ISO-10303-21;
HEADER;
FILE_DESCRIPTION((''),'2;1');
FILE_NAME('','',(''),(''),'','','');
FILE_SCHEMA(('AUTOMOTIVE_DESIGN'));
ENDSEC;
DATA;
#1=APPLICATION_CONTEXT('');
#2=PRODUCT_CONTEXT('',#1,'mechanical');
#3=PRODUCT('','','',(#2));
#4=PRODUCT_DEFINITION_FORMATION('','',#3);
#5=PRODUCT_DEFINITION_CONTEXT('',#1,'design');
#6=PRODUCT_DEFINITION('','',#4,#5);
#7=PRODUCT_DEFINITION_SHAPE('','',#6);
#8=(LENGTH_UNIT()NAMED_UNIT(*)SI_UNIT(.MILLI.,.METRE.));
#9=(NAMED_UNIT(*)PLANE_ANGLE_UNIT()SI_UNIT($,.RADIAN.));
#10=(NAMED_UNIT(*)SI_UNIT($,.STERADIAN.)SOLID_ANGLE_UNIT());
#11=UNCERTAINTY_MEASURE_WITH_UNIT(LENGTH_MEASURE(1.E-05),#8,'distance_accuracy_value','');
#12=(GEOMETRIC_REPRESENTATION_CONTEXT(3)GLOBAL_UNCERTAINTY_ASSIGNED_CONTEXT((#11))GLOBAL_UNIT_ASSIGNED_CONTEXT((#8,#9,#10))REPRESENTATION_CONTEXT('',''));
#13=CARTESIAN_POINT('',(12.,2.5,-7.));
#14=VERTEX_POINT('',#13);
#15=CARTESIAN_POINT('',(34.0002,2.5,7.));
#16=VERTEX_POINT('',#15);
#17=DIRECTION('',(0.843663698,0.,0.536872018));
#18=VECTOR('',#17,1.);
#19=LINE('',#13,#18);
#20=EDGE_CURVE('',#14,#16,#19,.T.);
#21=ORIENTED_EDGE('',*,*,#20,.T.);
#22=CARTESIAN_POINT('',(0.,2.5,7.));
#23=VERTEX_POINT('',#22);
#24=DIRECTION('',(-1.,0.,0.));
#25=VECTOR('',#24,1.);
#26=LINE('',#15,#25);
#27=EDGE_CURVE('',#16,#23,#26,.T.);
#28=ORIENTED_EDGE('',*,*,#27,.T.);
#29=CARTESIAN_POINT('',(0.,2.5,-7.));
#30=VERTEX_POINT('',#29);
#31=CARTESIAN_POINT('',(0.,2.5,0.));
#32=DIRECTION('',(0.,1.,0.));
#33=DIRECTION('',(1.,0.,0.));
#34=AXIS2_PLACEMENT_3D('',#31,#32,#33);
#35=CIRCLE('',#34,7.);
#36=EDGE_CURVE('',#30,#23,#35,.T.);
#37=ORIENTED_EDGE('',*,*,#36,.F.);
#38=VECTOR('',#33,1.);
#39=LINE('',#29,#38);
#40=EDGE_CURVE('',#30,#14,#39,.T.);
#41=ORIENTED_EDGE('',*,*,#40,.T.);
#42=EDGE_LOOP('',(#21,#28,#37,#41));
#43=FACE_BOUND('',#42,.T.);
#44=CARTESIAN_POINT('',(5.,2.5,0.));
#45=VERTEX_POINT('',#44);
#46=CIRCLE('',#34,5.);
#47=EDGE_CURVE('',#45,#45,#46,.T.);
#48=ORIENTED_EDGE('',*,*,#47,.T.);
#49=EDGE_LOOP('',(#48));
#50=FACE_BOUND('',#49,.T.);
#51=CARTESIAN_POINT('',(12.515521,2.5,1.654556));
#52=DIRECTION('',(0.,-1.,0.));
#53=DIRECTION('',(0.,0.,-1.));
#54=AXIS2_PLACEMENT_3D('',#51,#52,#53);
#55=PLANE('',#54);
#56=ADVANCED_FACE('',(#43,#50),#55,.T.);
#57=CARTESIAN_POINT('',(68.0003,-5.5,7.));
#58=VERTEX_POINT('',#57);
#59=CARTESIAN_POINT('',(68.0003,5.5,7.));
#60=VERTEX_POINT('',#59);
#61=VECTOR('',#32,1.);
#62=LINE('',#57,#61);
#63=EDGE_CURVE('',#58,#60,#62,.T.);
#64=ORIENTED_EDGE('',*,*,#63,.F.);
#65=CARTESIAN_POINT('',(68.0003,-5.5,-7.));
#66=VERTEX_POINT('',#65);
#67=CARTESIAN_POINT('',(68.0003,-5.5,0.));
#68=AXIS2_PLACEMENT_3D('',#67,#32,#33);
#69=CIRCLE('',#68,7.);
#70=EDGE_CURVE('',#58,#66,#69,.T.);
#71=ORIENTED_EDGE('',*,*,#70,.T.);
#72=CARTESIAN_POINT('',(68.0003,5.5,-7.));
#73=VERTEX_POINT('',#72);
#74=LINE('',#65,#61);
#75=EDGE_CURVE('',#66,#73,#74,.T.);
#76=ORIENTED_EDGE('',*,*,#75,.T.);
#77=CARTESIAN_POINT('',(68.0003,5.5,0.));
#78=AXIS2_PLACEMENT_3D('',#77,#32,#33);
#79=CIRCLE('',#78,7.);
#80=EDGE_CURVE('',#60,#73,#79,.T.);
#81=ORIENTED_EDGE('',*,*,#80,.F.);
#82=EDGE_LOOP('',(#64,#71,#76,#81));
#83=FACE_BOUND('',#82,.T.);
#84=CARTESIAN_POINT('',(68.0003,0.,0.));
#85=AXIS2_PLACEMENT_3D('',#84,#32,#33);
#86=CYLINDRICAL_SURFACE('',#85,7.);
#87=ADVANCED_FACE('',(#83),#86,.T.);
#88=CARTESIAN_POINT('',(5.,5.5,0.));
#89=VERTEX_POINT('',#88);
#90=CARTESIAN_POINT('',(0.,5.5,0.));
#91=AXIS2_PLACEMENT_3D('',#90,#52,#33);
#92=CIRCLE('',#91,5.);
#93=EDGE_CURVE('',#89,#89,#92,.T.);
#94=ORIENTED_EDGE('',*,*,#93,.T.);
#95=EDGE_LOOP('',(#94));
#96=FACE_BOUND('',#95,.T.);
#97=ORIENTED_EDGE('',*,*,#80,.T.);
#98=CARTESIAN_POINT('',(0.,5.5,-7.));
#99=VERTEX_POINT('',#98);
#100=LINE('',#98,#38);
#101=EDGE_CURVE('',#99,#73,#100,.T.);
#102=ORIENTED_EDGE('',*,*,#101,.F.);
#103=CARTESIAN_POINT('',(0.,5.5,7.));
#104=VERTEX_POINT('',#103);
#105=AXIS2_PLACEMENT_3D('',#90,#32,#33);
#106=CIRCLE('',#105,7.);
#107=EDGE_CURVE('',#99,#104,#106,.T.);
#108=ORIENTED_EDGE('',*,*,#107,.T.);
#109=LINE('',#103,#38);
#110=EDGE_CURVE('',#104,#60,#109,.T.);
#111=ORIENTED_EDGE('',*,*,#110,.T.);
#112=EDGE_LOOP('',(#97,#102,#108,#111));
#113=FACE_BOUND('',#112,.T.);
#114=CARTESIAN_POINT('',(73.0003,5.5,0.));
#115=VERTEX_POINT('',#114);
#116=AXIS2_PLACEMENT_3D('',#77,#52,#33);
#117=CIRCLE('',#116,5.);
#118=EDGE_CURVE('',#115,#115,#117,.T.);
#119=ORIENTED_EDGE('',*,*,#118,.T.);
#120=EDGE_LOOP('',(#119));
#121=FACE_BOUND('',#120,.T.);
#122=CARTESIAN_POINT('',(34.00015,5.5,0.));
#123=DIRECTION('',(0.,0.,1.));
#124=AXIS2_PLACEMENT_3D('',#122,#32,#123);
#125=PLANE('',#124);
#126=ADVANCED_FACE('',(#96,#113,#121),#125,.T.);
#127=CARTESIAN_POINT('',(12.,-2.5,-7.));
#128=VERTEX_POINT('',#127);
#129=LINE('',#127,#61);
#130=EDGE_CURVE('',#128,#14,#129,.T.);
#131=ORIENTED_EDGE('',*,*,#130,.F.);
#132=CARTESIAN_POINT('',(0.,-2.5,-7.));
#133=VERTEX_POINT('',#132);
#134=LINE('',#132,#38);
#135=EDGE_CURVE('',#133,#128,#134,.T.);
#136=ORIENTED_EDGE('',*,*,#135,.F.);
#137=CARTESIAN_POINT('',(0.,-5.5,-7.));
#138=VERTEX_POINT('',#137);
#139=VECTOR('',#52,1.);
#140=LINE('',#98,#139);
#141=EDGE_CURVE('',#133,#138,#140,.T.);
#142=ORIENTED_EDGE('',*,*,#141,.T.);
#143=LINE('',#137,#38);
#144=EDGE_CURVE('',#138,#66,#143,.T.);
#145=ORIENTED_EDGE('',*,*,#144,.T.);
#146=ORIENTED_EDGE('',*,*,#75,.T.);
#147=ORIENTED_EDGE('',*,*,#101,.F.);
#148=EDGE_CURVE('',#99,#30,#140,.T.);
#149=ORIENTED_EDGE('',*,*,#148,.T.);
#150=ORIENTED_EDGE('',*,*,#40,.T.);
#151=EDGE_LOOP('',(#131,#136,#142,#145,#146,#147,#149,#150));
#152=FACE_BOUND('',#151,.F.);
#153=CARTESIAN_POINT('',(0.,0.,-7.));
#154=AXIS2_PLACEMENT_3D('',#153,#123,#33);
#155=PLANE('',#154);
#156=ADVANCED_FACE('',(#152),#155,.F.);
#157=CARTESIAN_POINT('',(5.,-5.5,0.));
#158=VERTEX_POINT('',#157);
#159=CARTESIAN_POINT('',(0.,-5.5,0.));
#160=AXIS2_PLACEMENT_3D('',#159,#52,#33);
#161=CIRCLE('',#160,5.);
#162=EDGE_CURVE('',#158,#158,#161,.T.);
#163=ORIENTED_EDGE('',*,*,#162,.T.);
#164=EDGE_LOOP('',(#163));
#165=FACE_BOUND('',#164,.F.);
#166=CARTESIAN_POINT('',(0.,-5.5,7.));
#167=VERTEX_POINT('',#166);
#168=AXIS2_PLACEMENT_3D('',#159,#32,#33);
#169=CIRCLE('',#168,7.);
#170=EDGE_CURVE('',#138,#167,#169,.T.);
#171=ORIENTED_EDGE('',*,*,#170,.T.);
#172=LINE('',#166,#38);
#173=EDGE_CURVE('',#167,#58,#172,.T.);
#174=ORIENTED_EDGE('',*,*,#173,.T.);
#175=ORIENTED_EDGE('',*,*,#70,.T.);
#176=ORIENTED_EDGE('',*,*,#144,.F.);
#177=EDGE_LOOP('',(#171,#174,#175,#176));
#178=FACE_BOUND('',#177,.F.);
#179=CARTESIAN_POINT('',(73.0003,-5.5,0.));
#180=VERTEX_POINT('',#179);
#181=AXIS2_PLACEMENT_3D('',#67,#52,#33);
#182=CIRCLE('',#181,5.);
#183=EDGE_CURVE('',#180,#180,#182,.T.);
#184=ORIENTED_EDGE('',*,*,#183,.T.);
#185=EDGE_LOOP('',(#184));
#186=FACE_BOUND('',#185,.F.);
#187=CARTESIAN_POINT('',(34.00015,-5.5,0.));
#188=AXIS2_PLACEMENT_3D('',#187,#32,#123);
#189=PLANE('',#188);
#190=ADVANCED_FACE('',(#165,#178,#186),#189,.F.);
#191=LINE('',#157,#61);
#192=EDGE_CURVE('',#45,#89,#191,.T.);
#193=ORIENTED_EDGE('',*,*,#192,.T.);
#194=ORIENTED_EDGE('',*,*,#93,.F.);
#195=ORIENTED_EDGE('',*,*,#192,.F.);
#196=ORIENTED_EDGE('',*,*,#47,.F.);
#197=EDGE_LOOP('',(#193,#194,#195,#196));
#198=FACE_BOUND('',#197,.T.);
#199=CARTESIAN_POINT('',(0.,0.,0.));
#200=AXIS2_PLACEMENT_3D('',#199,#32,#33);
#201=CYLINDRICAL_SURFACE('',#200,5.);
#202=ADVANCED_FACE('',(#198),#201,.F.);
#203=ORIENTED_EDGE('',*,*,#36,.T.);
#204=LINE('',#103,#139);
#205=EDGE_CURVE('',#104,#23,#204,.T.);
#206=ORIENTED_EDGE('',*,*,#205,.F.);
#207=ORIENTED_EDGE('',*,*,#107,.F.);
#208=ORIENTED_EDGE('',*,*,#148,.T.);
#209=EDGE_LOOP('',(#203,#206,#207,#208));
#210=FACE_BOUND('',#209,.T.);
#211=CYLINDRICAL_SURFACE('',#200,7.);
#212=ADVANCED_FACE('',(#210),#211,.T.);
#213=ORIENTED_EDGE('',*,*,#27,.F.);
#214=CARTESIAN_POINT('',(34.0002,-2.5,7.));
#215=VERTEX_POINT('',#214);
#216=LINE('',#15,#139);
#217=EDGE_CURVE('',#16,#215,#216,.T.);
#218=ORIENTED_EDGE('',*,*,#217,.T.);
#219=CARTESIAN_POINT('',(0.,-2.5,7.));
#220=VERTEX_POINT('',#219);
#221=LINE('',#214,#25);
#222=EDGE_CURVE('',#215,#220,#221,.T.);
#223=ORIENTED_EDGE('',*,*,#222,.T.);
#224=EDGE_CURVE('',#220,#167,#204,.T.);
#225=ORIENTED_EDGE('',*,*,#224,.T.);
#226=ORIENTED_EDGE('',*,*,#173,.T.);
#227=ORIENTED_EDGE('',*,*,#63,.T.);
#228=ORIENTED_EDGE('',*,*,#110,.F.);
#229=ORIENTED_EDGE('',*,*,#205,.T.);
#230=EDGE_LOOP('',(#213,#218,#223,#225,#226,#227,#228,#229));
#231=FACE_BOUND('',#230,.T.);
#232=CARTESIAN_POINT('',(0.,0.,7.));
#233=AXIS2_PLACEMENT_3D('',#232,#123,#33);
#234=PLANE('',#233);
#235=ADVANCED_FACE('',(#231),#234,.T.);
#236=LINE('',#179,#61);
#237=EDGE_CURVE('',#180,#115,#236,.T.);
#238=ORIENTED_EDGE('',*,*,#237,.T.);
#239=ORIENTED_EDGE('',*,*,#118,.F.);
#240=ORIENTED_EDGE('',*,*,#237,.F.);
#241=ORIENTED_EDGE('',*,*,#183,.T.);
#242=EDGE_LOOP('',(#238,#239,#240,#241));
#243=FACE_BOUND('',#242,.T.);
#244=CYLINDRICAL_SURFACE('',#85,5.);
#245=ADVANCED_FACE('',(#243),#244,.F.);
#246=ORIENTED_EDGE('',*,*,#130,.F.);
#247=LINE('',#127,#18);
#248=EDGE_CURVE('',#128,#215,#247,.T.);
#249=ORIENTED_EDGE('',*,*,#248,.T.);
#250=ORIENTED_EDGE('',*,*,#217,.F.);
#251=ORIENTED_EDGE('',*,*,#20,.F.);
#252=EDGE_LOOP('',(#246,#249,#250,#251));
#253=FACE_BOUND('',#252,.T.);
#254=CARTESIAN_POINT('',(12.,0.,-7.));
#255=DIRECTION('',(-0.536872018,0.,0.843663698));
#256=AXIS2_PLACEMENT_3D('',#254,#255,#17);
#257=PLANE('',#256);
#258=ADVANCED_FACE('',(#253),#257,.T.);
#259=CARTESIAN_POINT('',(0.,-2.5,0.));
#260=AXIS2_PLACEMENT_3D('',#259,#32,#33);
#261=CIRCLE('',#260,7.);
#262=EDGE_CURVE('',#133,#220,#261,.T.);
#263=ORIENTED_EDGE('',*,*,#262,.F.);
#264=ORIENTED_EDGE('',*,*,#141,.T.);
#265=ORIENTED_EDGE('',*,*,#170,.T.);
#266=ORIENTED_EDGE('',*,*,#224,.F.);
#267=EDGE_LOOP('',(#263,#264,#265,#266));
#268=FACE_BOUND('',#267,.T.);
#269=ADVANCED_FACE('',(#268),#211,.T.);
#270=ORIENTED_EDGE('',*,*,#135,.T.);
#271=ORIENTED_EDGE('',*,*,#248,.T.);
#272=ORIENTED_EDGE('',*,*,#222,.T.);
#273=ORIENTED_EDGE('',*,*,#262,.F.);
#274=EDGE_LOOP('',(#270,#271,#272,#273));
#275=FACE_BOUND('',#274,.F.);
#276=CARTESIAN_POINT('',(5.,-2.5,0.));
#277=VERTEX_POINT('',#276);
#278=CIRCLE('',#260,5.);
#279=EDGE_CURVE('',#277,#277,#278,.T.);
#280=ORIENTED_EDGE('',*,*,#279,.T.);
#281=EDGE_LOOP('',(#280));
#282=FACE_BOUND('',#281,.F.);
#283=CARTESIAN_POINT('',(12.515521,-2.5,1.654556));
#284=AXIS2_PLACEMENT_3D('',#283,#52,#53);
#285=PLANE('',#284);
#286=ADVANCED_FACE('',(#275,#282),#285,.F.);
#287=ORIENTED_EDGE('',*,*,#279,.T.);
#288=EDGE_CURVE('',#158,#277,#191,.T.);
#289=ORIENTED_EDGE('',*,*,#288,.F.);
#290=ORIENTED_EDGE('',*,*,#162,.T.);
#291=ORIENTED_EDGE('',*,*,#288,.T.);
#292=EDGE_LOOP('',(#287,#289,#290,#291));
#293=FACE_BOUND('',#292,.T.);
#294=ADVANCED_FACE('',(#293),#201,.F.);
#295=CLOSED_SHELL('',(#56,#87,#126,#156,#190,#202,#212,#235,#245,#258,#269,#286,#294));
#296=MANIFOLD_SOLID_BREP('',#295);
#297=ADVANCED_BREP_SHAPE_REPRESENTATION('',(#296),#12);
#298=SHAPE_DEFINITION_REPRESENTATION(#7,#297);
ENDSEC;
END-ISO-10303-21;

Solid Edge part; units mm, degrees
sketch "Sketch1" plane through (0, 0, 0) normal (0, -1, 0) x (1, 0, 0)
  circle A0 centre (0, 0) radius 5
  line L0 (0, 7) -> (68.0003, 7)
  line L1 (0, -7) -> (68.0003, -7)
  arc A1 (0, -7) -> (0, 7) centre (0, 0) cw
  arc A2 (68.0003, 7) -> (68.0003, -7) centre (68.0003, 0) cw
  circle A3 centre (68.0003, 0) radius 5
extrude "Protrusion1" add sketch "Sketch1" along normal mid plane 11
fillet "Redondeo_1" [suppressed]
sketch "Sketch2" plane through (34.0002, 0, 0) normal (0, -1, 0) x (1, 0, 0)
  line L0 (-22.0002, -7) -> (0, 7)
  line L1 (-34.0002, -7) -> (-22.0002, -7)
  arc A0 (-34.0002, -7) -> (-34.0002, 7) centre (-34.0002, 0) cw
  line L2 (0, 7) -> (-34.0002, 7)
  dimension "D1" = 12
  dimension "D2" = 34.0002
extrude "Cutout1" cut sketch "Sketch2" along normal mid plane 5
